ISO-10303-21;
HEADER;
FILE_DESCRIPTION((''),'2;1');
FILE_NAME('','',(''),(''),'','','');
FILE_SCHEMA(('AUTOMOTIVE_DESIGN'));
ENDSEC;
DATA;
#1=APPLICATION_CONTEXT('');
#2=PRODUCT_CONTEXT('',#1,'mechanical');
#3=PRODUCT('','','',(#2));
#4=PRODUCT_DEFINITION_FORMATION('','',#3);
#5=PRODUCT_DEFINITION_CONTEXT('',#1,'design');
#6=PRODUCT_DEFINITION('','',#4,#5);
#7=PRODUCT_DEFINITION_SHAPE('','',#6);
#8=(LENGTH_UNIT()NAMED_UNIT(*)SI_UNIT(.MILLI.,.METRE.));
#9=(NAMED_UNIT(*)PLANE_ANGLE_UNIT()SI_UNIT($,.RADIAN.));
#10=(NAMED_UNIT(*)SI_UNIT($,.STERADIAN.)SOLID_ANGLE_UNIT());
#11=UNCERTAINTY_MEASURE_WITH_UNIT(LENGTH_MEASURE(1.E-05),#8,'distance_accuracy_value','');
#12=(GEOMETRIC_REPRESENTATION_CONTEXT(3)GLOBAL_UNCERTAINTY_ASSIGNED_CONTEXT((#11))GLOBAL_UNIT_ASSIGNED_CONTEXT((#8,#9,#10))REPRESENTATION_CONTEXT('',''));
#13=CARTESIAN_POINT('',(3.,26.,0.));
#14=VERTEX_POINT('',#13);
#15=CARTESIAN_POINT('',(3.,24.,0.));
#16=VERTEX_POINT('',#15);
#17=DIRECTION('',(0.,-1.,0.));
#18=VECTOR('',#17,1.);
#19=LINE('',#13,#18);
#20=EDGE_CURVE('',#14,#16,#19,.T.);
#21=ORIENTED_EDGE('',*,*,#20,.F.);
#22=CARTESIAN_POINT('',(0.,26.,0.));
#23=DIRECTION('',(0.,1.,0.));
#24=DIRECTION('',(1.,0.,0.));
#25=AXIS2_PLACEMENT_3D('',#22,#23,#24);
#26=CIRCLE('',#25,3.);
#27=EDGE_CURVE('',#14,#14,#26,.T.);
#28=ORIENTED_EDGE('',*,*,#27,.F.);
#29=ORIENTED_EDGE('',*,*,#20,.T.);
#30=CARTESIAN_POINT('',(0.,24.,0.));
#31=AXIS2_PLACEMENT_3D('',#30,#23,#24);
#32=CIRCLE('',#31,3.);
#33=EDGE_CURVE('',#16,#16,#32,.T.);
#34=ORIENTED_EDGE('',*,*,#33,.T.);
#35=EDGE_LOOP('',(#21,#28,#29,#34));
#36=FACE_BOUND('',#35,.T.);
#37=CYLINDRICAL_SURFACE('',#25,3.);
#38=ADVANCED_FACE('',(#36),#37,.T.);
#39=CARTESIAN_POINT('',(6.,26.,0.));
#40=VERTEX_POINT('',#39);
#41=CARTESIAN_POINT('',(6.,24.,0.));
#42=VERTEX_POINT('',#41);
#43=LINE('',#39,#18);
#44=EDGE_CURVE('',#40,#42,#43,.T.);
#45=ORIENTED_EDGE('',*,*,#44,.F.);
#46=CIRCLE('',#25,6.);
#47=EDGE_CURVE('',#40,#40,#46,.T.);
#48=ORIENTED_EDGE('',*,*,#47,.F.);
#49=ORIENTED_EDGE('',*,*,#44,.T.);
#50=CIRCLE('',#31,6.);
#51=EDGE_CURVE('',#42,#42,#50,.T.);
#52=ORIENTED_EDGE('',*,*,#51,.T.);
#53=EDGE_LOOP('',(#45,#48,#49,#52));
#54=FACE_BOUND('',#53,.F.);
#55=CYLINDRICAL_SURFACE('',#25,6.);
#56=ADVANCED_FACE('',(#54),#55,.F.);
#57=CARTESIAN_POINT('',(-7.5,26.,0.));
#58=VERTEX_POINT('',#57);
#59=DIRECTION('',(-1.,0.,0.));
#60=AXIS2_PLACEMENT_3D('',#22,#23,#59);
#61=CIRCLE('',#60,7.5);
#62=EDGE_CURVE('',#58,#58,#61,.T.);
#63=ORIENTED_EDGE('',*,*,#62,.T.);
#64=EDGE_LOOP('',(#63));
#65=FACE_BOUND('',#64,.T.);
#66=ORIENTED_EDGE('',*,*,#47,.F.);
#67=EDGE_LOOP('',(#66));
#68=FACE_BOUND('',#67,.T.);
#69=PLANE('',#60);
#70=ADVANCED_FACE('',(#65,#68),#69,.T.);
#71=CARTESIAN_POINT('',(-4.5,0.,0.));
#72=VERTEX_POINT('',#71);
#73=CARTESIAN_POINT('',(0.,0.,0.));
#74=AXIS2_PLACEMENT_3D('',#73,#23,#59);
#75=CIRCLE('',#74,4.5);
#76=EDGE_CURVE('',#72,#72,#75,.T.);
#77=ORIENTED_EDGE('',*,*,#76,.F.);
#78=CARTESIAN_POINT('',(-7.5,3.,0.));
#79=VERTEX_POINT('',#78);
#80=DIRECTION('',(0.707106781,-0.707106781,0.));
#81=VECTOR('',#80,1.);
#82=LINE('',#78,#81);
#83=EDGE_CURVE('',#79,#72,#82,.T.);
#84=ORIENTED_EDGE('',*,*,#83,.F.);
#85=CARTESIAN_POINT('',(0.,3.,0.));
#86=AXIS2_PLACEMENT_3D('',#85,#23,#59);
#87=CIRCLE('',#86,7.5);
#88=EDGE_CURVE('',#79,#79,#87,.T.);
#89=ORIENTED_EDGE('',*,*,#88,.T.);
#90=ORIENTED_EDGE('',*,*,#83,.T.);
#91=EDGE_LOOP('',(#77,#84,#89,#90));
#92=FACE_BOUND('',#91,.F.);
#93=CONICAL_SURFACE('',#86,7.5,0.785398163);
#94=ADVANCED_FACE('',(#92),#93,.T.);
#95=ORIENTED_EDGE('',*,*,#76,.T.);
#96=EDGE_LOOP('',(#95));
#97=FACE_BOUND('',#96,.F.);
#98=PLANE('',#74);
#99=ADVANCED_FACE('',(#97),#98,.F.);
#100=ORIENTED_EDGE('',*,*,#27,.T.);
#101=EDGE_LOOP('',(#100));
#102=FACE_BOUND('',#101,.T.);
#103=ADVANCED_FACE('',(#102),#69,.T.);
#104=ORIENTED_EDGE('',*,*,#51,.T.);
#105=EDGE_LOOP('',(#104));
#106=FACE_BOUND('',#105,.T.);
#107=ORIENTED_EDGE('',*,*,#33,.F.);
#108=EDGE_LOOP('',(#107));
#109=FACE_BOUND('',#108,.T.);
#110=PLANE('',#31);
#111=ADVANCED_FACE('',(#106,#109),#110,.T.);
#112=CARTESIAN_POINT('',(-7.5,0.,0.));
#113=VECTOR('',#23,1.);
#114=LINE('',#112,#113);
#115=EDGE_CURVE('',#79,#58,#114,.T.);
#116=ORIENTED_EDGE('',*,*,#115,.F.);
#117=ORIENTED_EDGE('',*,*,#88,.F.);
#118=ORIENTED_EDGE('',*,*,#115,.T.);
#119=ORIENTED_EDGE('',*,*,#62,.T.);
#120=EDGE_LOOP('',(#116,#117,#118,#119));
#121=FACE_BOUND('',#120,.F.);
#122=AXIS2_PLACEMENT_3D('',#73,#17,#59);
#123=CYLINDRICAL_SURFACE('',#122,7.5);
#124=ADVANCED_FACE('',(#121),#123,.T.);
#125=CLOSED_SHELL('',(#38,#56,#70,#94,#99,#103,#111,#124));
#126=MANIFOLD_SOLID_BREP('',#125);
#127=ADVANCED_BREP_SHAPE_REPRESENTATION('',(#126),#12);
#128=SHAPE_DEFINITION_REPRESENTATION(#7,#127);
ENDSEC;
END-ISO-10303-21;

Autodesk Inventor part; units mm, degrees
ref_plane "YZ Plane" through (0, 0, 0) normal (1, 0, 0) x (0, 1, 0)
ref_plane "XZ Plane" through (0, 0, 0) normal (0, 1, 0) x (-1, 0, 0)
ref_plane "XY Plane" through (0, 0, 0) normal (0, 0, 1) x (1, 0, 0)
sketch "Esquisse1" plane through (0, 0, 0) normal (0, 1, 0) x (-1, 0, 0)
  circle A0 centre (0, 0) radius 7.5
  dimension "d0" = 15
extrude "Extrusion1" add sketch "Esquisse1" along normal blind 26
sketch "Esquisse2" plane through (0, 26, 0) normal (0, 1, 0) x (1, 0, 0)
  circle A0 centre (0, 0) radius 6
  circle A1 centre (0, 0) radius 3
  dimension "d3" = 12
  dimension "d4" = 6
extrude "Extrusion2" cut sketch "Esquisse2" against normal blind 2
chamfer "Chanfrein1" distance 3 angle 45 1 edges at (7.5, 0, 0)
properties part number "Pion rond"
